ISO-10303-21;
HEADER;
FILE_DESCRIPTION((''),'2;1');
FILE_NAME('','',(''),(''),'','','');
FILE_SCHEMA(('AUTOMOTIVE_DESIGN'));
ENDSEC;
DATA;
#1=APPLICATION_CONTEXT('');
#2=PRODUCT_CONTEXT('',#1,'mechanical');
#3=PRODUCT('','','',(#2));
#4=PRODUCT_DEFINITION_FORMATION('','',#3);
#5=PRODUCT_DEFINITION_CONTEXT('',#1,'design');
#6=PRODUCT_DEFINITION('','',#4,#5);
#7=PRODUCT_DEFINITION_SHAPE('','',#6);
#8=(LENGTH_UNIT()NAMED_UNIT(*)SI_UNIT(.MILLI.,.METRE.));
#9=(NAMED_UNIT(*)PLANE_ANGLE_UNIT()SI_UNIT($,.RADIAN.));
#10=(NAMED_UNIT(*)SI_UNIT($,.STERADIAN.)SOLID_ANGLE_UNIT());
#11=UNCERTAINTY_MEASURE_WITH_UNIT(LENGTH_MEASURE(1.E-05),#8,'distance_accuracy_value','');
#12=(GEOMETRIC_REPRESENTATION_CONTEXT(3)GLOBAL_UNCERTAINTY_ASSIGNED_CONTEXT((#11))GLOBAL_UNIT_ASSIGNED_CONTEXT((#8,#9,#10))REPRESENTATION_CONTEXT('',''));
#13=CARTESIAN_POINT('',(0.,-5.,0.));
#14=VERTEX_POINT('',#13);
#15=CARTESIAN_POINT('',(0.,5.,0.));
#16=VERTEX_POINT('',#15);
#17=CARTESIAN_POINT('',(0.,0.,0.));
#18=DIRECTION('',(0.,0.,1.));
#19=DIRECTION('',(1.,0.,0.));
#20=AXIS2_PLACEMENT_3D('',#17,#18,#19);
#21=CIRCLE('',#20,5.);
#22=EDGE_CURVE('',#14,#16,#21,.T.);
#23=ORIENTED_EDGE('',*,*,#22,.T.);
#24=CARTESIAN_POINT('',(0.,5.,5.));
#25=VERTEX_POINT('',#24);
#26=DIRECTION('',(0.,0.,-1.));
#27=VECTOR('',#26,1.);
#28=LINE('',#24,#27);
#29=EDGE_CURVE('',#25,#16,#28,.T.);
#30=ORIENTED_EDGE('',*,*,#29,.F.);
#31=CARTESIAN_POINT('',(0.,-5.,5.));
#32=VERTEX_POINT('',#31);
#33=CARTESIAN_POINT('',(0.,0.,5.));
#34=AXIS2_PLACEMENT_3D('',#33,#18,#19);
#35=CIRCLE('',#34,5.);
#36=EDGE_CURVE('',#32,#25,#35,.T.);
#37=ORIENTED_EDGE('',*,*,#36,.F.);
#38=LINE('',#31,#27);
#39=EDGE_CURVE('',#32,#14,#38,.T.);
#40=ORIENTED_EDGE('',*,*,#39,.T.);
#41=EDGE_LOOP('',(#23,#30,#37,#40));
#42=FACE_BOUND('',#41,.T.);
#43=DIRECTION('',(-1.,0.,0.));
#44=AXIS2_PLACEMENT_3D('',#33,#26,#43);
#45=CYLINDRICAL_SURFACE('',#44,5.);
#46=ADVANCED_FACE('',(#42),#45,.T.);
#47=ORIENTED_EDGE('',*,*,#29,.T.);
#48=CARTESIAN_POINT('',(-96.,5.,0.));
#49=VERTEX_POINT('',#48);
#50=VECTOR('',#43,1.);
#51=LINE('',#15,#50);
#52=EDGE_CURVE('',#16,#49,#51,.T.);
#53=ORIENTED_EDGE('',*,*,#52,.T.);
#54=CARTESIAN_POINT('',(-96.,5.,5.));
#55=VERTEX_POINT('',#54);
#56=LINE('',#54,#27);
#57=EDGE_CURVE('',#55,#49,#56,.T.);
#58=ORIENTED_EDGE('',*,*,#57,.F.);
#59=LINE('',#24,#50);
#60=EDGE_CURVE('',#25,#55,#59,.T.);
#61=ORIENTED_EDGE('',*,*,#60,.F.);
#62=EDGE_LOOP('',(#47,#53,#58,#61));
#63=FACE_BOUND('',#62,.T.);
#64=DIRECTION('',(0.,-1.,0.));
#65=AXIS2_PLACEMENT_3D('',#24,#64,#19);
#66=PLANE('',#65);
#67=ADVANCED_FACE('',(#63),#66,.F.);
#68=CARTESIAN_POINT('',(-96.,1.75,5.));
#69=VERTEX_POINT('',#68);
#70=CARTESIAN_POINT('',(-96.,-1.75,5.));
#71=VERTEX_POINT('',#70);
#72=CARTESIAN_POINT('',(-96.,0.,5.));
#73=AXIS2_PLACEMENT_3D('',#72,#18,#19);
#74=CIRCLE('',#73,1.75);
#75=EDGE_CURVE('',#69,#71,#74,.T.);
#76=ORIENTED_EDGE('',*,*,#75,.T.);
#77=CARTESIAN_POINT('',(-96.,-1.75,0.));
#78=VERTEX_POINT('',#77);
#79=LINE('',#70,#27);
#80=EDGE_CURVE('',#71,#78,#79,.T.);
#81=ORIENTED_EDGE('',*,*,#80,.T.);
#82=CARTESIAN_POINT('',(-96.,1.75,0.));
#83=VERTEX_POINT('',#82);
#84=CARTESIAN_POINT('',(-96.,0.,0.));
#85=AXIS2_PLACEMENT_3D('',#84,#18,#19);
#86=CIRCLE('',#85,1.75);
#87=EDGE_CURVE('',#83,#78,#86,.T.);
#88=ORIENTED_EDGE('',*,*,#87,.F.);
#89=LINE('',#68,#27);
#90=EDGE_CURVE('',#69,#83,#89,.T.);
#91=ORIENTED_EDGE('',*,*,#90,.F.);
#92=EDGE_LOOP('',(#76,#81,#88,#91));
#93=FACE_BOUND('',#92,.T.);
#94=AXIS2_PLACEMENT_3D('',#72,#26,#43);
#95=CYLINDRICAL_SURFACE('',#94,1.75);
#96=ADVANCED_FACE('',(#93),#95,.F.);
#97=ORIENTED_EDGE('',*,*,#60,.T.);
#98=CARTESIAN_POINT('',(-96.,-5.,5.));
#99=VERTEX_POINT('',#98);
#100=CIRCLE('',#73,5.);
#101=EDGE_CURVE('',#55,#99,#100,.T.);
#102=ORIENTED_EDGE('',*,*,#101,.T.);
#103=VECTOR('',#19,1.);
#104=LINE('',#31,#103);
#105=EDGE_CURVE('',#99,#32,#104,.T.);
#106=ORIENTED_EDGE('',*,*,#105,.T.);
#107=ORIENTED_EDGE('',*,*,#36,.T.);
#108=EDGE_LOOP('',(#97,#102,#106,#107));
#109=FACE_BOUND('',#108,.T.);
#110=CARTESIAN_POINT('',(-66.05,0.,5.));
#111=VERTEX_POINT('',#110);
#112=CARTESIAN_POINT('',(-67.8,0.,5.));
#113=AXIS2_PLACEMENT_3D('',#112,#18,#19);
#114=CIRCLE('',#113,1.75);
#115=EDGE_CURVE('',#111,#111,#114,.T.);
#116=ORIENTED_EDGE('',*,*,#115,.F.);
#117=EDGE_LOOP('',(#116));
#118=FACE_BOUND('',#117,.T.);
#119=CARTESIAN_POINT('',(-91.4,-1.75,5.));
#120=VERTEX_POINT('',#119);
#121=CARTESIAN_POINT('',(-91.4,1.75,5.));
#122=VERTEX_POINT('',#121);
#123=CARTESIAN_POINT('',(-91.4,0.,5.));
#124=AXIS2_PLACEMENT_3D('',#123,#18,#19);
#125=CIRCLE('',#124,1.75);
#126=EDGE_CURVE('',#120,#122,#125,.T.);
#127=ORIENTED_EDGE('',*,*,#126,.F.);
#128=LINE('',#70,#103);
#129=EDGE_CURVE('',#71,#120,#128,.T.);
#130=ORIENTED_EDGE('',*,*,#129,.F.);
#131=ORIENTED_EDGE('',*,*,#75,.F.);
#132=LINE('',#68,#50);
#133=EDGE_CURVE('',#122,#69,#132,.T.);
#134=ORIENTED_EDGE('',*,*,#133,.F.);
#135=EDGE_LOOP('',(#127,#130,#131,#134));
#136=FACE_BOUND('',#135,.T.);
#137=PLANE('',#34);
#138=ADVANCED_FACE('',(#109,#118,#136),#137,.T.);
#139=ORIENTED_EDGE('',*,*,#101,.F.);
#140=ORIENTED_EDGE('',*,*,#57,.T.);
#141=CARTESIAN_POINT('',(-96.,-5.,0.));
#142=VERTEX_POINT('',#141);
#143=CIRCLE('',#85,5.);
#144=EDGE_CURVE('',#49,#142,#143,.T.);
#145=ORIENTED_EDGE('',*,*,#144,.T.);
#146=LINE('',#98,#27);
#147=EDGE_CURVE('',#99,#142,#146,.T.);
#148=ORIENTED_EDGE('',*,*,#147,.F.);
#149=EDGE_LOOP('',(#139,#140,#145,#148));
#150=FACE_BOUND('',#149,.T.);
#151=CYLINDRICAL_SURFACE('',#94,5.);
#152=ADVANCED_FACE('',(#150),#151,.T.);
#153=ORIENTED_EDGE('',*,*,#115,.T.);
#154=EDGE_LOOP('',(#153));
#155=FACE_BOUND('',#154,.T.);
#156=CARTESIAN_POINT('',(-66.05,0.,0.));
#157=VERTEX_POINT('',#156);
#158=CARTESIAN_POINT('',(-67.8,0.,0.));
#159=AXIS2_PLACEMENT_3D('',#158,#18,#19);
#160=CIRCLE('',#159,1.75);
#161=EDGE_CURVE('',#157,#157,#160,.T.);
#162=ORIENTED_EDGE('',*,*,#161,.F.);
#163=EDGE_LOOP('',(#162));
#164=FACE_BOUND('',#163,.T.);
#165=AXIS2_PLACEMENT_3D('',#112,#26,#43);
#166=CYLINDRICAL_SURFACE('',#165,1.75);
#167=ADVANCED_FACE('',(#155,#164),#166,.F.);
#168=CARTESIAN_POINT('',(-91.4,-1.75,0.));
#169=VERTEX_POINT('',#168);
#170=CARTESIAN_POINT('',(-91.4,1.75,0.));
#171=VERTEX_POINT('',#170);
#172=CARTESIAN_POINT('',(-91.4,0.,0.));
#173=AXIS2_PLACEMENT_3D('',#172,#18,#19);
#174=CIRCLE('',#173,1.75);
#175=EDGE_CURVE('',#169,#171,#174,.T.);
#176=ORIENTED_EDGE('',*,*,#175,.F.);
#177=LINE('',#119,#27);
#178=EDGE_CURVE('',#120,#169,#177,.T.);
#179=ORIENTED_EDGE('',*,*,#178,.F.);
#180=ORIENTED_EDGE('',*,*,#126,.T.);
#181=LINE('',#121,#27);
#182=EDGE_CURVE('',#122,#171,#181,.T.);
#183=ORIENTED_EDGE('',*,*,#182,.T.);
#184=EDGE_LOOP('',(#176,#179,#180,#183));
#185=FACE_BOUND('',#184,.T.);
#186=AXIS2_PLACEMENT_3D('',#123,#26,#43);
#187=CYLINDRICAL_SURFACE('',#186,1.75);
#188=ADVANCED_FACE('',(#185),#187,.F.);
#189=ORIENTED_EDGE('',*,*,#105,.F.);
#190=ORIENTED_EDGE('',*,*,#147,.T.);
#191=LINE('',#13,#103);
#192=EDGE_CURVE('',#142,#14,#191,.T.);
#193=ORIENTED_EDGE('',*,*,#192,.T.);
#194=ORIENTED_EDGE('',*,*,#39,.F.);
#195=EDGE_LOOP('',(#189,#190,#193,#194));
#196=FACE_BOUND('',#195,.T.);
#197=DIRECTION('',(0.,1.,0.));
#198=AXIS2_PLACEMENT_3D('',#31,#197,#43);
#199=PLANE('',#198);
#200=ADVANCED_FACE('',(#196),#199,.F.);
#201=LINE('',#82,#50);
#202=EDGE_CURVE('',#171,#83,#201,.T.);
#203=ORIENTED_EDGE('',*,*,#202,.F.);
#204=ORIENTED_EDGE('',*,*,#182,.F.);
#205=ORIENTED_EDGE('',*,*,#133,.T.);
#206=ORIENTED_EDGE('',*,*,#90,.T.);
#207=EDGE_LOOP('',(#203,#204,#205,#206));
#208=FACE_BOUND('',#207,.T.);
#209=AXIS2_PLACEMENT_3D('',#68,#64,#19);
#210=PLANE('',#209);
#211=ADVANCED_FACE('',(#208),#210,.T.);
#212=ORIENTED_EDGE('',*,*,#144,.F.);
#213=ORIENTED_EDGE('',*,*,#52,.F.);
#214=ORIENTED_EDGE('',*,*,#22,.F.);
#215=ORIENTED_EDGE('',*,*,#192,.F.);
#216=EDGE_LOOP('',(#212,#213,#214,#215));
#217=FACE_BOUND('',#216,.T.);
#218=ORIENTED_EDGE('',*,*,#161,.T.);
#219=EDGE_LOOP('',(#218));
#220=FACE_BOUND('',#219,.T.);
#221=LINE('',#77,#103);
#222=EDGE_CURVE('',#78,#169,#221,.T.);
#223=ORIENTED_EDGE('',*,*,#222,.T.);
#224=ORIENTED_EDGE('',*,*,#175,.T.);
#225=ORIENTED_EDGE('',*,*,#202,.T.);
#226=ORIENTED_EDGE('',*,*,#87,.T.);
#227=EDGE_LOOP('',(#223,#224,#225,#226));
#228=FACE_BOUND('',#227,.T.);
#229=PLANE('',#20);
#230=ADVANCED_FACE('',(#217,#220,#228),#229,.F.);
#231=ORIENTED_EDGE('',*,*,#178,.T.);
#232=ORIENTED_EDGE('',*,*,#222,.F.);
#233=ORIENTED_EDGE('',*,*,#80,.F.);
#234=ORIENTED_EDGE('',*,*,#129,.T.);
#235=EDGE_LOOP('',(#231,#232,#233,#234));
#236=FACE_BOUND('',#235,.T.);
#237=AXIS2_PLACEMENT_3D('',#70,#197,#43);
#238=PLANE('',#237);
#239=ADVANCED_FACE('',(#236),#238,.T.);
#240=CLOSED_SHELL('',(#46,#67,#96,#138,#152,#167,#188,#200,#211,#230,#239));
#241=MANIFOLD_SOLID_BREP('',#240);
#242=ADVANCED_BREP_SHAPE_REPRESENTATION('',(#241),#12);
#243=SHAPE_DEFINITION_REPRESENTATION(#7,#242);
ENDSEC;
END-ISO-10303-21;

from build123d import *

# Parameters (mm, degrees)
SKETCH1_R           = 1.75
BOSS_EXTRUDE1_DEPTH = 5


with BuildPart() as part:
    # Sketch1 → Boss-Extrude1 (new body)
    with BuildSketch(Plane(origin=(0, 0, 0), x_dir=(0, 1, 0), z_dir=(0, 0, 1))):
        with BuildLine():
            Line((-5, 0), (-5, 96))
            ThreePointArc((-5, 96), (0, 101), (5, 96))
            Line((5, 96), (5, 0))
            ThreePointArc((5, 0), (0, -5), (-5, 0))
        make_face()
        with Locations(Location((0, 67.8, 0), (0, 0, 270))):
            Circle(SKETCH1_R, mode=Mode.SUBTRACT)
        with BuildLine():
            Line((1.75, 96), (1.75, 91.4))
            ThreePointArc((1.75, 91.4), (0, 89.65), (-1.75, 91.4))
            Line((-1.75, 91.4), (-1.75, 96))
            ThreePointArc((-1.75, 96), (0, 97.75), (1.75, 96))
        make_face(mode=Mode.SUBTRACT)
    extrude(amount=BOSS_EXTRUDE1_DEPTH)


solid = part.part
